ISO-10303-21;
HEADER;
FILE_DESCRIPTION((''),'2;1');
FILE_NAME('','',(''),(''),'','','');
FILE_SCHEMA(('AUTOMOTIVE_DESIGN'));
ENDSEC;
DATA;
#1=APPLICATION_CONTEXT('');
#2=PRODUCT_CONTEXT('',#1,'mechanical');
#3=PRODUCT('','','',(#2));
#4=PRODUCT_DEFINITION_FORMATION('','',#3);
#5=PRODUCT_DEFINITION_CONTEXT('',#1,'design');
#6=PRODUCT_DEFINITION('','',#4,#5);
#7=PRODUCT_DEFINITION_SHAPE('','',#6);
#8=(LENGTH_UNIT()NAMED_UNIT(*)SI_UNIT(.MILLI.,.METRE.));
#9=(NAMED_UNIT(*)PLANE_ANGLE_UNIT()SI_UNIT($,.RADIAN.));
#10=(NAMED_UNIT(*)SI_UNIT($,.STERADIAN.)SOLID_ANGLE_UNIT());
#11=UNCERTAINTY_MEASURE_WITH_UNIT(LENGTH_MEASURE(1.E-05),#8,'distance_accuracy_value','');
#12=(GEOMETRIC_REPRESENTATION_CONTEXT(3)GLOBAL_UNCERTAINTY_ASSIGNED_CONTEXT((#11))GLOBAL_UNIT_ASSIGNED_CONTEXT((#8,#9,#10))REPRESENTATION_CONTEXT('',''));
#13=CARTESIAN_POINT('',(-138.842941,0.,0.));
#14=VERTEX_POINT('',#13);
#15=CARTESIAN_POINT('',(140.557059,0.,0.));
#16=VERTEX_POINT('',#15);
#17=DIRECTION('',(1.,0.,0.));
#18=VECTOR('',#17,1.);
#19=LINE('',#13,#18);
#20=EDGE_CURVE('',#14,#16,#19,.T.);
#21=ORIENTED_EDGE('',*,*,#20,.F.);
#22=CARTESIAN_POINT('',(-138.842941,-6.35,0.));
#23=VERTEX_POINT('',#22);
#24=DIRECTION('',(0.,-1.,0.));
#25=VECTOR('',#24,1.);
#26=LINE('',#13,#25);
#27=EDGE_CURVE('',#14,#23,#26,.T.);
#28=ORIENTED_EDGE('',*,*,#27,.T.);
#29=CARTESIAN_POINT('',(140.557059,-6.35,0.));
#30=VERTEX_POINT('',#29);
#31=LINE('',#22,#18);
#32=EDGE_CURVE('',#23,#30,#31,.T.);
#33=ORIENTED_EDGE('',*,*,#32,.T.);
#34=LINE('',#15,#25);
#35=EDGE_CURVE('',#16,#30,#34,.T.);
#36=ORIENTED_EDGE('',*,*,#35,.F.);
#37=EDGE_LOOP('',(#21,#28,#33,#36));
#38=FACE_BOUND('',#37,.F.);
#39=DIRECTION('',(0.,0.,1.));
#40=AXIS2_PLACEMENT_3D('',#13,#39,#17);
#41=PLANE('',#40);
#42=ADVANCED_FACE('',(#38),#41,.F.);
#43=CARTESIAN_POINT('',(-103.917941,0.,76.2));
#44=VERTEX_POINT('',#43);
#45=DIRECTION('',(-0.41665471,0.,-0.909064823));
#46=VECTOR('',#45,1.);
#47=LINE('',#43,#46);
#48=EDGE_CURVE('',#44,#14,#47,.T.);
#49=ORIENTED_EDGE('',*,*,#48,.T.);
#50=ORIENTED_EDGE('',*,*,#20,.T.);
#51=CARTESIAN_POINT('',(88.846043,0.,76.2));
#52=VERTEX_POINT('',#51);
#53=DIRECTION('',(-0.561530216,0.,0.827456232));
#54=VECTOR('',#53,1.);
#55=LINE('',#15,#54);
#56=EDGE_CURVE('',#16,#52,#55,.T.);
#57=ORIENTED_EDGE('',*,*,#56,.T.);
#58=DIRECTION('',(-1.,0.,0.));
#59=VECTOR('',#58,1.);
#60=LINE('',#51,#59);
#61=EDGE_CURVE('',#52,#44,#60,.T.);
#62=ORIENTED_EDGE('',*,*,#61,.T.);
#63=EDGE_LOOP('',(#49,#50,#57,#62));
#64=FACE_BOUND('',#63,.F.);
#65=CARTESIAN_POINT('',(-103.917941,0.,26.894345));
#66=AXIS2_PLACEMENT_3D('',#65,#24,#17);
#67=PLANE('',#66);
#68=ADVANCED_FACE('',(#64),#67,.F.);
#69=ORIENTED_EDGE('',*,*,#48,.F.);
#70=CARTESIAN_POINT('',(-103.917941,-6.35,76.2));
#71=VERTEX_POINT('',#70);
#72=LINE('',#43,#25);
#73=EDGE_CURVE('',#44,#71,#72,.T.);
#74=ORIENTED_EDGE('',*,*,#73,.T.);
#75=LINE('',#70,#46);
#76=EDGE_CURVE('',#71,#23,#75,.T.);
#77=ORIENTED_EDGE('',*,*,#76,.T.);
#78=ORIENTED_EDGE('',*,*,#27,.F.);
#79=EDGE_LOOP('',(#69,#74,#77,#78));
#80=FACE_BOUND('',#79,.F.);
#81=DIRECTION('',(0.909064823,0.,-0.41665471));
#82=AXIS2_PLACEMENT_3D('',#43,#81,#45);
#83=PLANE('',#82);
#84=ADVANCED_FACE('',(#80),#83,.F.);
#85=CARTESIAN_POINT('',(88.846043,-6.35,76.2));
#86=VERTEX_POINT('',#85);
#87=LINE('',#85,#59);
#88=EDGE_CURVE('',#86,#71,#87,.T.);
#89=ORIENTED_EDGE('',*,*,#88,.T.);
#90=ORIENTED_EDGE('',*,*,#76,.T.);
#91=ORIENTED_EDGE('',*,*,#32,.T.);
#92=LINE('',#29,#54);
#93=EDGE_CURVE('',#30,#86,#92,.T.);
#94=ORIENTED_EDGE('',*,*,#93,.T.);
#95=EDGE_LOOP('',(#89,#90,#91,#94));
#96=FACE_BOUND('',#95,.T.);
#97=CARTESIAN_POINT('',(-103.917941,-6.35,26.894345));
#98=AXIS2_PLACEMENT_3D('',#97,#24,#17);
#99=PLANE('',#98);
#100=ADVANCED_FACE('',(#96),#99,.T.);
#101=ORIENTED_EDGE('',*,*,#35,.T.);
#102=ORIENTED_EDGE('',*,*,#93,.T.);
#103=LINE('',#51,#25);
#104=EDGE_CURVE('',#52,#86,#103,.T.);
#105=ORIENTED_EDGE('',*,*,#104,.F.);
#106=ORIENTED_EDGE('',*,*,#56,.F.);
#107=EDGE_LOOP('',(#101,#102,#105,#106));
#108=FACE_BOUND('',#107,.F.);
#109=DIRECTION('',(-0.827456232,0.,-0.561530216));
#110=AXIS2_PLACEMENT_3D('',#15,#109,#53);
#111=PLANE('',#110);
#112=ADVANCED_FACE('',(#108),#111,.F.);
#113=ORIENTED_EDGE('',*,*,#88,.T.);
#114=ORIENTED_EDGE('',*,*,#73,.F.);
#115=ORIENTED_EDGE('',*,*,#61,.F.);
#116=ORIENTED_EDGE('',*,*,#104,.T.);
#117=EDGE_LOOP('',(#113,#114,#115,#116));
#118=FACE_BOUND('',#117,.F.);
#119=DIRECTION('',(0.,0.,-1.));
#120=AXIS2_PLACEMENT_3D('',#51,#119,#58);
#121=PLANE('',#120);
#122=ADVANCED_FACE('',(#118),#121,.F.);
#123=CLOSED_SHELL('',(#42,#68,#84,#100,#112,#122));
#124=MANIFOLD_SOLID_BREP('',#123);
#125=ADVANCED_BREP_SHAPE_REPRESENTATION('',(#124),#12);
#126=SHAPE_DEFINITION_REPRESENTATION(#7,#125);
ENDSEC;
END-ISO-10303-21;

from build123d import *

# Parameters (mm, degrees)
F1_DEPTH = 6.35


with BuildPart() as f1:
    # F0 (on Front) → F1 (new body)
    with BuildSketch(Plane.XZ):
        Polygon((-103.917941, 76.2), (-138.842941, 0), (-68.992941, 0), align=None)
        Polygon((-34.067941, 76.2), (-68.992941, 0), (0, 0), align=None)
        Polygon((-103.917941, 76.2), (-68.992941, 0), (-34.067941, 76.2), align=None)
        Polygon((20.95316, 76.2), (0, 0), (73.997684, 0), align=None)
        Polygon((-34.067941, 76.2), (0, 0), (20.95316, 76.2), align=None)
        Polygon((88.846043, 76.2), (73.997684, 0), (140.557059, 0), align=None)
        Polygon((20.95316, 76.2), (73.997684, 0), (88.846043, 76.2), align=None)
    extrude(amount=F1_DEPTH)


solid = f1.part
